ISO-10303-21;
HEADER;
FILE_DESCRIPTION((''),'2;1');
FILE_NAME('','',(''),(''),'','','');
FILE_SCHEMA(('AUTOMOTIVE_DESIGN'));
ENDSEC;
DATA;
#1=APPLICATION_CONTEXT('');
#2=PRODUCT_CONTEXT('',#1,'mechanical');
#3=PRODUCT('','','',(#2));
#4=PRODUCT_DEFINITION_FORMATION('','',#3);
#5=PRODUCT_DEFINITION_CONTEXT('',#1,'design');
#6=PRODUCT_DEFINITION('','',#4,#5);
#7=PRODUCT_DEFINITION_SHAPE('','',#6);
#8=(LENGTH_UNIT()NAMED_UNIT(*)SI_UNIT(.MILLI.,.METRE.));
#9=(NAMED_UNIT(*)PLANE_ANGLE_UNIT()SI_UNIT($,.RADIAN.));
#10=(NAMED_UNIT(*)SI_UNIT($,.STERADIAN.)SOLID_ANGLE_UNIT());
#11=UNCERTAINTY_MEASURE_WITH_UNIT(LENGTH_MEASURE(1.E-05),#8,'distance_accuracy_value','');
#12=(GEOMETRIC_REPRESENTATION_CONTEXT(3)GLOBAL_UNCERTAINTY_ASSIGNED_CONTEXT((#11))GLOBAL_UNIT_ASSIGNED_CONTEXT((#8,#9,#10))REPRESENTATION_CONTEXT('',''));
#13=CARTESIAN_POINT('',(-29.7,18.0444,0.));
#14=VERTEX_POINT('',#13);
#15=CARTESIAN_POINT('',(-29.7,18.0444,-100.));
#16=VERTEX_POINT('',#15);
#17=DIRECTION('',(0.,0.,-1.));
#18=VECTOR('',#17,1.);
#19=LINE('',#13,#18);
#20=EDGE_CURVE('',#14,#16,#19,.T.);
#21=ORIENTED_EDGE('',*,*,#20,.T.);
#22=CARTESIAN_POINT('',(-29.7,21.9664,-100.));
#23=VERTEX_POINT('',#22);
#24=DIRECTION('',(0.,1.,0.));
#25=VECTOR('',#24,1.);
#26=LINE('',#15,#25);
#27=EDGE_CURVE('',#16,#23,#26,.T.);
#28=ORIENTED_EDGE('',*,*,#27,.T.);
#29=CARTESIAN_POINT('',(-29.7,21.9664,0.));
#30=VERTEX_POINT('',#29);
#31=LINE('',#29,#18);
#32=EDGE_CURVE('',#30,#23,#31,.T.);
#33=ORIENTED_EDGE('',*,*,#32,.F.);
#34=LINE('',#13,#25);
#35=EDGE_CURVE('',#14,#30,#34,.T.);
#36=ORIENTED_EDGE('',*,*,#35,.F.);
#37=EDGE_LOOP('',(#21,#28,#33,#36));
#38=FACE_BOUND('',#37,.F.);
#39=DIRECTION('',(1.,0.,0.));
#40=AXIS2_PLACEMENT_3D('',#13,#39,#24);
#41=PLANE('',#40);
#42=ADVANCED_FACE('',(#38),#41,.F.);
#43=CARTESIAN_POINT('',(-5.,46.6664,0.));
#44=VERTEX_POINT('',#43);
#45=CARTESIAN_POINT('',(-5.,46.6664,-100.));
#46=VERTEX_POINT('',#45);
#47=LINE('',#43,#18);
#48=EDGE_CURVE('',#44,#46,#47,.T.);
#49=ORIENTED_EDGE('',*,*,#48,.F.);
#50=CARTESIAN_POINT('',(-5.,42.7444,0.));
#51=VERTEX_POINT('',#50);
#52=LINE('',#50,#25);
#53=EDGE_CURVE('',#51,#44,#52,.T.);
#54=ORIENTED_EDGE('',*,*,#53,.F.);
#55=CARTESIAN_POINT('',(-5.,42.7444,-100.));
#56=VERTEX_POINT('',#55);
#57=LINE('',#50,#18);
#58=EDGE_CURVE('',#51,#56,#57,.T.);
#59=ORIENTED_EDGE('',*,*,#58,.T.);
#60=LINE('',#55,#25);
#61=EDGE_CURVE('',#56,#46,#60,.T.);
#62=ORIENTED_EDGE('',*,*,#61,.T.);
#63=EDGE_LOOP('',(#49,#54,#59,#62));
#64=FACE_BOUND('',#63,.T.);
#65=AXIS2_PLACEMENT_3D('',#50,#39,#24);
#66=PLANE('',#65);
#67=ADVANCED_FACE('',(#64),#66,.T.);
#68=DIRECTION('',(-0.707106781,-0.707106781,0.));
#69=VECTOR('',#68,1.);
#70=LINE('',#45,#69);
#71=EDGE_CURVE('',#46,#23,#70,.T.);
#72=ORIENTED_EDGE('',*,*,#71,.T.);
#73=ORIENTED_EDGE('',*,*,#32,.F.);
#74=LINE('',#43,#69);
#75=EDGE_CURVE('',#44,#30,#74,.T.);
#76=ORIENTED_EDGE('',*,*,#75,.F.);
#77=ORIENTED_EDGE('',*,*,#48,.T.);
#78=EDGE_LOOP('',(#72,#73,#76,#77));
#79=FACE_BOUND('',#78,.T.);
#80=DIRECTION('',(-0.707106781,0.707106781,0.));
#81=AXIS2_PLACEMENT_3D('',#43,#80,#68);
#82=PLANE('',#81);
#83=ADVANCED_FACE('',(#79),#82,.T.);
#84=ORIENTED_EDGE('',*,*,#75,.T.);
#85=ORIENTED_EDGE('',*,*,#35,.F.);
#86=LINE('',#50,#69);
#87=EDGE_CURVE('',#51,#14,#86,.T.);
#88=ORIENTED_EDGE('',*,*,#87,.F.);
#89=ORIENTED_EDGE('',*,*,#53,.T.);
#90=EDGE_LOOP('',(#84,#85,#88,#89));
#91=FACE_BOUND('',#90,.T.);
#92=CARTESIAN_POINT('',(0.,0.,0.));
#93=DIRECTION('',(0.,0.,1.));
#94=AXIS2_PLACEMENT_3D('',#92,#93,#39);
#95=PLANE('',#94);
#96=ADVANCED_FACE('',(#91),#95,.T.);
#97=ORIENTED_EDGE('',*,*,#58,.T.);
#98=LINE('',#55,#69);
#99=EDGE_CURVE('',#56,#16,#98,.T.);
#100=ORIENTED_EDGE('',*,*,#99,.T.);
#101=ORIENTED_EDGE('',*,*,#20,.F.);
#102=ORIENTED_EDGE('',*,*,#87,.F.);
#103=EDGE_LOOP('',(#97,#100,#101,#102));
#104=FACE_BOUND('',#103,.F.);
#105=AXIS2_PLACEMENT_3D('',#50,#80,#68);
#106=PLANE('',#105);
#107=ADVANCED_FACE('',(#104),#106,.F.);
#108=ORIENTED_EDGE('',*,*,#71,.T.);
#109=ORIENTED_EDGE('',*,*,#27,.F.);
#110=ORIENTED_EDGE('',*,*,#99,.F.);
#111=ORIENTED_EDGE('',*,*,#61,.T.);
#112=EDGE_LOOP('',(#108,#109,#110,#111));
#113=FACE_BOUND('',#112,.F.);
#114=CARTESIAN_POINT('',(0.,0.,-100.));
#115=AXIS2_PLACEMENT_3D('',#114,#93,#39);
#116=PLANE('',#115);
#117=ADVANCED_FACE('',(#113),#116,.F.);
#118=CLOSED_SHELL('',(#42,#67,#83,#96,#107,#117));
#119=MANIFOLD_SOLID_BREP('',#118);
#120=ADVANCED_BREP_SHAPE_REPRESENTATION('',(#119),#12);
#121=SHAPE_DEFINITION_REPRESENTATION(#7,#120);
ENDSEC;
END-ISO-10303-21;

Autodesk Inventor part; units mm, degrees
ref_plane "YZ Plane" through (0, 0, 0) normal (1, 0, 0) x (0, 1, 0)
ref_plane "XZ Plane" through (0, 0, 0) normal (0, 1, 0) x (-1, 0, 0)
ref_plane "XY Plane" through (0, 0, 0) normal (0, 0, 1) x (1, 0, 0)
sketch "Sketch1" plane through (0, 0, 0) normal (0, 0, 1) x (1, 0, 0)
  line L0 (0, 57.4166) -> (-5, 46.6664) projected
  line L1 (-5, 42.7444) -> (-5, 46.6664) projected
  line L2 (-5, 42.7444) -> (-29.7, 18.0444) projected
  line L3 (-29.7, 18.0444) -> (-29.7, -5.3095) projected
  arc A0 (-5, 0) -> (-29.7, -5.3095) centre (-13.6, -20.1) ccw projected
  line L4 (0, 0) -> (-5, 0) projected
  line L5 (0, 0) -> (0, 57.4166) projected
  line L6 (-29.7, 18.0444) -> (-29.7, 25.3757)
  line L7 (-5, 46.6664) -> (-29.7, 21.9664)
extrude "Extrusion1" add sketch "Sketch1" against normal blind 100 contours L1 L2 L6 L7
